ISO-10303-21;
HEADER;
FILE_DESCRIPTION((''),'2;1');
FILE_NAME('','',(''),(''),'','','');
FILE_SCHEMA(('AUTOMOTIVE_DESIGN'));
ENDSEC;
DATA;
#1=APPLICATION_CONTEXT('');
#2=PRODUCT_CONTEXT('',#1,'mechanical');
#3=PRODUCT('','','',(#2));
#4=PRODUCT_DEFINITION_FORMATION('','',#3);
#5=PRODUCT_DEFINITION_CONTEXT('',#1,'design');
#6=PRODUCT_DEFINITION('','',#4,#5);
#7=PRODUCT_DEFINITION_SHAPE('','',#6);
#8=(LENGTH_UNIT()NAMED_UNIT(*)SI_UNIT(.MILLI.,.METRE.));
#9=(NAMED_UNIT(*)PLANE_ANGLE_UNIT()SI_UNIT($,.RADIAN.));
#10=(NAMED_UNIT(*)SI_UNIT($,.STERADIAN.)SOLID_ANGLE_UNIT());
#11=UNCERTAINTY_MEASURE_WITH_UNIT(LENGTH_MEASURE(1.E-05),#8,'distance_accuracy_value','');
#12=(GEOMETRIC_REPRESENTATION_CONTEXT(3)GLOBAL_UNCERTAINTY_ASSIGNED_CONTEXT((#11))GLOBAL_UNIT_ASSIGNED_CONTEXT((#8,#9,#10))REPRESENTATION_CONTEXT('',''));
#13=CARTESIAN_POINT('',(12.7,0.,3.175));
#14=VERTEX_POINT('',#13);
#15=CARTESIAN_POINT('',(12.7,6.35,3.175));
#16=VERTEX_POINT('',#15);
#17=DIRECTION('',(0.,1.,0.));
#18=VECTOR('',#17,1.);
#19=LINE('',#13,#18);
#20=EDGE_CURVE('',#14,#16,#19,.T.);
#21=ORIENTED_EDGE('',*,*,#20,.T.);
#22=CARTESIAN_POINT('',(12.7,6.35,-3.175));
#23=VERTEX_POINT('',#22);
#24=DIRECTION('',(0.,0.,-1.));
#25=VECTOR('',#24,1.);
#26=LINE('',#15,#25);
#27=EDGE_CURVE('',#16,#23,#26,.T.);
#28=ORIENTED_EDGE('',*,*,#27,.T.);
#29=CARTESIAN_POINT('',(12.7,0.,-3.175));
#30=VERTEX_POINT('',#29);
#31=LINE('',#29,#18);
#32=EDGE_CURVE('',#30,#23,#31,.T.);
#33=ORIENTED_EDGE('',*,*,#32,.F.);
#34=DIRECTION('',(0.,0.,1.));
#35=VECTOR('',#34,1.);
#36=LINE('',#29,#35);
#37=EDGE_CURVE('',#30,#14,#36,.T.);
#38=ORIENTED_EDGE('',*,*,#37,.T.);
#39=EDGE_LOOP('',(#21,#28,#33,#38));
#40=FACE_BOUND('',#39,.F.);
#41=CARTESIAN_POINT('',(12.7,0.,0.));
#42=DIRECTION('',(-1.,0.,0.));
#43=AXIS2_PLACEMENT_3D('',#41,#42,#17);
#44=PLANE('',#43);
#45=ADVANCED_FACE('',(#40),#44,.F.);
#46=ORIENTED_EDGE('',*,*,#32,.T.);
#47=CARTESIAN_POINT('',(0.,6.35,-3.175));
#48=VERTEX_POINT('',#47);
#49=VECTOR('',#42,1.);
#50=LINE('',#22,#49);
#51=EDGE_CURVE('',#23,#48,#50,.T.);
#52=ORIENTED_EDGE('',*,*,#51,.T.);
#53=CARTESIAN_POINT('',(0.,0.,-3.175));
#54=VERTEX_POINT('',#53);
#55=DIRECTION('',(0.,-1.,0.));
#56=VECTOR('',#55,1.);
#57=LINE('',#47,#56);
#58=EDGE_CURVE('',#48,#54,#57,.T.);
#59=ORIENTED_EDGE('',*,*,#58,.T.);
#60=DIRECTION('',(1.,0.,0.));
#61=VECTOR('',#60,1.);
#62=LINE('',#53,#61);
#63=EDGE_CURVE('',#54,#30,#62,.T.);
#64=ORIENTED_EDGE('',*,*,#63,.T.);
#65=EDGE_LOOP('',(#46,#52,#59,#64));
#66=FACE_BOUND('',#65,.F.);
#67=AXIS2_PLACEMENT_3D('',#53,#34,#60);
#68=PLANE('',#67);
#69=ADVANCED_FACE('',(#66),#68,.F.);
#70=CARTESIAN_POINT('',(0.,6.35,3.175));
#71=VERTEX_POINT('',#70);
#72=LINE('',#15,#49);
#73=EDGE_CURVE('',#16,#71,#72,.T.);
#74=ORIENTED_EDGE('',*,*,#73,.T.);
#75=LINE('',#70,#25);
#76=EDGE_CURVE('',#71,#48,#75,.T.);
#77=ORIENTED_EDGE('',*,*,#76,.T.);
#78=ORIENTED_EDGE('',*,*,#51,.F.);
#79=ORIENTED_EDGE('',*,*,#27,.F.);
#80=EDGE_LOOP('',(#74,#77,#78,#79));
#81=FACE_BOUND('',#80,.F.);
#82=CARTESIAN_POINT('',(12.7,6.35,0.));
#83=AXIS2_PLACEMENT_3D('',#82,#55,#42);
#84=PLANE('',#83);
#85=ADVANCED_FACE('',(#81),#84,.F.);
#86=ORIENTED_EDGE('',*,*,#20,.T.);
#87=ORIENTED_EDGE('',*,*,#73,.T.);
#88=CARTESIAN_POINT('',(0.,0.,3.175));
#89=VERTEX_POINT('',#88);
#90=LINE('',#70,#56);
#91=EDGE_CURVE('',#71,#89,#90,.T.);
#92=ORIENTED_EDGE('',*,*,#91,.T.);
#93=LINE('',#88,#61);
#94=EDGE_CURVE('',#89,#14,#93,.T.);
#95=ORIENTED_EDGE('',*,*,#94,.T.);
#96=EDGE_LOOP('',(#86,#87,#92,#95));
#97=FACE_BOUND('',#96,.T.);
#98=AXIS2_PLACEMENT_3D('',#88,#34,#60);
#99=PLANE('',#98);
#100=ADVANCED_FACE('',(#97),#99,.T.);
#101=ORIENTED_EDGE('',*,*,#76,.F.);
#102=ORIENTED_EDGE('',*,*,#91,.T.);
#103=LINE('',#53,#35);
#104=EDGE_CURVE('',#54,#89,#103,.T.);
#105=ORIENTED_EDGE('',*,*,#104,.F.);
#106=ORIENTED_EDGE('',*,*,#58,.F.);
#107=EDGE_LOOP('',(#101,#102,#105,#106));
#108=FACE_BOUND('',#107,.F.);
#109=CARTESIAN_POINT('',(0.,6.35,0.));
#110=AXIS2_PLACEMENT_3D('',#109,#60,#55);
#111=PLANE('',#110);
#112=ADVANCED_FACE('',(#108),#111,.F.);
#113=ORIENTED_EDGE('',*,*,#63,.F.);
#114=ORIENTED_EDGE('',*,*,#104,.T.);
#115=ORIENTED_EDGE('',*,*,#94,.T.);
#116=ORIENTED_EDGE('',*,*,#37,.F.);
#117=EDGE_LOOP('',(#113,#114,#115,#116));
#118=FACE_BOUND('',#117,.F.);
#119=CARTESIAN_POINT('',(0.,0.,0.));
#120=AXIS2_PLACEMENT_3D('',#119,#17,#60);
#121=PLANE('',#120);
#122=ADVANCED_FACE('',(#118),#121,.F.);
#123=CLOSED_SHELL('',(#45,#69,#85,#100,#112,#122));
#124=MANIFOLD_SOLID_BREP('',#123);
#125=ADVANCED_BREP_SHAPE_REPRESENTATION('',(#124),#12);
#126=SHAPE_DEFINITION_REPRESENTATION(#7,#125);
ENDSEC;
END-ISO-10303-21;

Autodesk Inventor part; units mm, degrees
ref_plane "YZ Plane" through (0, 0, 0) normal (1, 0, 0) x (0, 1, 0)
ref_plane "XZ Plane" through (0, 0, 0) normal (0, 1, 0) x (-1, 0, 0)
ref_plane "XY Plane" through (0, 0, 0) normal (0, 0, 1) x (1, 0, 0)
sketch "Sketch1" plane through (0, 0, 0) normal (0, 0, 1) x (1, 0, 0)
  line L0 (0, 0) -> (12.7, 0)
  line L1 (12.7, 0) -> (12.7, 6.35)
  line L2 (12.7, 6.35) -> (0, 6.35)
  line L3 (0, 6.35) -> (0, 0)
  dimension "d0" = 12.7
  dimension "d1" = 6.35
extrude "Extrusion1" add sketch "Sketch1" along normal mid plane 6.35
properties part number "MagnetSpring" material "Nickel-Copper Alloy 400"
